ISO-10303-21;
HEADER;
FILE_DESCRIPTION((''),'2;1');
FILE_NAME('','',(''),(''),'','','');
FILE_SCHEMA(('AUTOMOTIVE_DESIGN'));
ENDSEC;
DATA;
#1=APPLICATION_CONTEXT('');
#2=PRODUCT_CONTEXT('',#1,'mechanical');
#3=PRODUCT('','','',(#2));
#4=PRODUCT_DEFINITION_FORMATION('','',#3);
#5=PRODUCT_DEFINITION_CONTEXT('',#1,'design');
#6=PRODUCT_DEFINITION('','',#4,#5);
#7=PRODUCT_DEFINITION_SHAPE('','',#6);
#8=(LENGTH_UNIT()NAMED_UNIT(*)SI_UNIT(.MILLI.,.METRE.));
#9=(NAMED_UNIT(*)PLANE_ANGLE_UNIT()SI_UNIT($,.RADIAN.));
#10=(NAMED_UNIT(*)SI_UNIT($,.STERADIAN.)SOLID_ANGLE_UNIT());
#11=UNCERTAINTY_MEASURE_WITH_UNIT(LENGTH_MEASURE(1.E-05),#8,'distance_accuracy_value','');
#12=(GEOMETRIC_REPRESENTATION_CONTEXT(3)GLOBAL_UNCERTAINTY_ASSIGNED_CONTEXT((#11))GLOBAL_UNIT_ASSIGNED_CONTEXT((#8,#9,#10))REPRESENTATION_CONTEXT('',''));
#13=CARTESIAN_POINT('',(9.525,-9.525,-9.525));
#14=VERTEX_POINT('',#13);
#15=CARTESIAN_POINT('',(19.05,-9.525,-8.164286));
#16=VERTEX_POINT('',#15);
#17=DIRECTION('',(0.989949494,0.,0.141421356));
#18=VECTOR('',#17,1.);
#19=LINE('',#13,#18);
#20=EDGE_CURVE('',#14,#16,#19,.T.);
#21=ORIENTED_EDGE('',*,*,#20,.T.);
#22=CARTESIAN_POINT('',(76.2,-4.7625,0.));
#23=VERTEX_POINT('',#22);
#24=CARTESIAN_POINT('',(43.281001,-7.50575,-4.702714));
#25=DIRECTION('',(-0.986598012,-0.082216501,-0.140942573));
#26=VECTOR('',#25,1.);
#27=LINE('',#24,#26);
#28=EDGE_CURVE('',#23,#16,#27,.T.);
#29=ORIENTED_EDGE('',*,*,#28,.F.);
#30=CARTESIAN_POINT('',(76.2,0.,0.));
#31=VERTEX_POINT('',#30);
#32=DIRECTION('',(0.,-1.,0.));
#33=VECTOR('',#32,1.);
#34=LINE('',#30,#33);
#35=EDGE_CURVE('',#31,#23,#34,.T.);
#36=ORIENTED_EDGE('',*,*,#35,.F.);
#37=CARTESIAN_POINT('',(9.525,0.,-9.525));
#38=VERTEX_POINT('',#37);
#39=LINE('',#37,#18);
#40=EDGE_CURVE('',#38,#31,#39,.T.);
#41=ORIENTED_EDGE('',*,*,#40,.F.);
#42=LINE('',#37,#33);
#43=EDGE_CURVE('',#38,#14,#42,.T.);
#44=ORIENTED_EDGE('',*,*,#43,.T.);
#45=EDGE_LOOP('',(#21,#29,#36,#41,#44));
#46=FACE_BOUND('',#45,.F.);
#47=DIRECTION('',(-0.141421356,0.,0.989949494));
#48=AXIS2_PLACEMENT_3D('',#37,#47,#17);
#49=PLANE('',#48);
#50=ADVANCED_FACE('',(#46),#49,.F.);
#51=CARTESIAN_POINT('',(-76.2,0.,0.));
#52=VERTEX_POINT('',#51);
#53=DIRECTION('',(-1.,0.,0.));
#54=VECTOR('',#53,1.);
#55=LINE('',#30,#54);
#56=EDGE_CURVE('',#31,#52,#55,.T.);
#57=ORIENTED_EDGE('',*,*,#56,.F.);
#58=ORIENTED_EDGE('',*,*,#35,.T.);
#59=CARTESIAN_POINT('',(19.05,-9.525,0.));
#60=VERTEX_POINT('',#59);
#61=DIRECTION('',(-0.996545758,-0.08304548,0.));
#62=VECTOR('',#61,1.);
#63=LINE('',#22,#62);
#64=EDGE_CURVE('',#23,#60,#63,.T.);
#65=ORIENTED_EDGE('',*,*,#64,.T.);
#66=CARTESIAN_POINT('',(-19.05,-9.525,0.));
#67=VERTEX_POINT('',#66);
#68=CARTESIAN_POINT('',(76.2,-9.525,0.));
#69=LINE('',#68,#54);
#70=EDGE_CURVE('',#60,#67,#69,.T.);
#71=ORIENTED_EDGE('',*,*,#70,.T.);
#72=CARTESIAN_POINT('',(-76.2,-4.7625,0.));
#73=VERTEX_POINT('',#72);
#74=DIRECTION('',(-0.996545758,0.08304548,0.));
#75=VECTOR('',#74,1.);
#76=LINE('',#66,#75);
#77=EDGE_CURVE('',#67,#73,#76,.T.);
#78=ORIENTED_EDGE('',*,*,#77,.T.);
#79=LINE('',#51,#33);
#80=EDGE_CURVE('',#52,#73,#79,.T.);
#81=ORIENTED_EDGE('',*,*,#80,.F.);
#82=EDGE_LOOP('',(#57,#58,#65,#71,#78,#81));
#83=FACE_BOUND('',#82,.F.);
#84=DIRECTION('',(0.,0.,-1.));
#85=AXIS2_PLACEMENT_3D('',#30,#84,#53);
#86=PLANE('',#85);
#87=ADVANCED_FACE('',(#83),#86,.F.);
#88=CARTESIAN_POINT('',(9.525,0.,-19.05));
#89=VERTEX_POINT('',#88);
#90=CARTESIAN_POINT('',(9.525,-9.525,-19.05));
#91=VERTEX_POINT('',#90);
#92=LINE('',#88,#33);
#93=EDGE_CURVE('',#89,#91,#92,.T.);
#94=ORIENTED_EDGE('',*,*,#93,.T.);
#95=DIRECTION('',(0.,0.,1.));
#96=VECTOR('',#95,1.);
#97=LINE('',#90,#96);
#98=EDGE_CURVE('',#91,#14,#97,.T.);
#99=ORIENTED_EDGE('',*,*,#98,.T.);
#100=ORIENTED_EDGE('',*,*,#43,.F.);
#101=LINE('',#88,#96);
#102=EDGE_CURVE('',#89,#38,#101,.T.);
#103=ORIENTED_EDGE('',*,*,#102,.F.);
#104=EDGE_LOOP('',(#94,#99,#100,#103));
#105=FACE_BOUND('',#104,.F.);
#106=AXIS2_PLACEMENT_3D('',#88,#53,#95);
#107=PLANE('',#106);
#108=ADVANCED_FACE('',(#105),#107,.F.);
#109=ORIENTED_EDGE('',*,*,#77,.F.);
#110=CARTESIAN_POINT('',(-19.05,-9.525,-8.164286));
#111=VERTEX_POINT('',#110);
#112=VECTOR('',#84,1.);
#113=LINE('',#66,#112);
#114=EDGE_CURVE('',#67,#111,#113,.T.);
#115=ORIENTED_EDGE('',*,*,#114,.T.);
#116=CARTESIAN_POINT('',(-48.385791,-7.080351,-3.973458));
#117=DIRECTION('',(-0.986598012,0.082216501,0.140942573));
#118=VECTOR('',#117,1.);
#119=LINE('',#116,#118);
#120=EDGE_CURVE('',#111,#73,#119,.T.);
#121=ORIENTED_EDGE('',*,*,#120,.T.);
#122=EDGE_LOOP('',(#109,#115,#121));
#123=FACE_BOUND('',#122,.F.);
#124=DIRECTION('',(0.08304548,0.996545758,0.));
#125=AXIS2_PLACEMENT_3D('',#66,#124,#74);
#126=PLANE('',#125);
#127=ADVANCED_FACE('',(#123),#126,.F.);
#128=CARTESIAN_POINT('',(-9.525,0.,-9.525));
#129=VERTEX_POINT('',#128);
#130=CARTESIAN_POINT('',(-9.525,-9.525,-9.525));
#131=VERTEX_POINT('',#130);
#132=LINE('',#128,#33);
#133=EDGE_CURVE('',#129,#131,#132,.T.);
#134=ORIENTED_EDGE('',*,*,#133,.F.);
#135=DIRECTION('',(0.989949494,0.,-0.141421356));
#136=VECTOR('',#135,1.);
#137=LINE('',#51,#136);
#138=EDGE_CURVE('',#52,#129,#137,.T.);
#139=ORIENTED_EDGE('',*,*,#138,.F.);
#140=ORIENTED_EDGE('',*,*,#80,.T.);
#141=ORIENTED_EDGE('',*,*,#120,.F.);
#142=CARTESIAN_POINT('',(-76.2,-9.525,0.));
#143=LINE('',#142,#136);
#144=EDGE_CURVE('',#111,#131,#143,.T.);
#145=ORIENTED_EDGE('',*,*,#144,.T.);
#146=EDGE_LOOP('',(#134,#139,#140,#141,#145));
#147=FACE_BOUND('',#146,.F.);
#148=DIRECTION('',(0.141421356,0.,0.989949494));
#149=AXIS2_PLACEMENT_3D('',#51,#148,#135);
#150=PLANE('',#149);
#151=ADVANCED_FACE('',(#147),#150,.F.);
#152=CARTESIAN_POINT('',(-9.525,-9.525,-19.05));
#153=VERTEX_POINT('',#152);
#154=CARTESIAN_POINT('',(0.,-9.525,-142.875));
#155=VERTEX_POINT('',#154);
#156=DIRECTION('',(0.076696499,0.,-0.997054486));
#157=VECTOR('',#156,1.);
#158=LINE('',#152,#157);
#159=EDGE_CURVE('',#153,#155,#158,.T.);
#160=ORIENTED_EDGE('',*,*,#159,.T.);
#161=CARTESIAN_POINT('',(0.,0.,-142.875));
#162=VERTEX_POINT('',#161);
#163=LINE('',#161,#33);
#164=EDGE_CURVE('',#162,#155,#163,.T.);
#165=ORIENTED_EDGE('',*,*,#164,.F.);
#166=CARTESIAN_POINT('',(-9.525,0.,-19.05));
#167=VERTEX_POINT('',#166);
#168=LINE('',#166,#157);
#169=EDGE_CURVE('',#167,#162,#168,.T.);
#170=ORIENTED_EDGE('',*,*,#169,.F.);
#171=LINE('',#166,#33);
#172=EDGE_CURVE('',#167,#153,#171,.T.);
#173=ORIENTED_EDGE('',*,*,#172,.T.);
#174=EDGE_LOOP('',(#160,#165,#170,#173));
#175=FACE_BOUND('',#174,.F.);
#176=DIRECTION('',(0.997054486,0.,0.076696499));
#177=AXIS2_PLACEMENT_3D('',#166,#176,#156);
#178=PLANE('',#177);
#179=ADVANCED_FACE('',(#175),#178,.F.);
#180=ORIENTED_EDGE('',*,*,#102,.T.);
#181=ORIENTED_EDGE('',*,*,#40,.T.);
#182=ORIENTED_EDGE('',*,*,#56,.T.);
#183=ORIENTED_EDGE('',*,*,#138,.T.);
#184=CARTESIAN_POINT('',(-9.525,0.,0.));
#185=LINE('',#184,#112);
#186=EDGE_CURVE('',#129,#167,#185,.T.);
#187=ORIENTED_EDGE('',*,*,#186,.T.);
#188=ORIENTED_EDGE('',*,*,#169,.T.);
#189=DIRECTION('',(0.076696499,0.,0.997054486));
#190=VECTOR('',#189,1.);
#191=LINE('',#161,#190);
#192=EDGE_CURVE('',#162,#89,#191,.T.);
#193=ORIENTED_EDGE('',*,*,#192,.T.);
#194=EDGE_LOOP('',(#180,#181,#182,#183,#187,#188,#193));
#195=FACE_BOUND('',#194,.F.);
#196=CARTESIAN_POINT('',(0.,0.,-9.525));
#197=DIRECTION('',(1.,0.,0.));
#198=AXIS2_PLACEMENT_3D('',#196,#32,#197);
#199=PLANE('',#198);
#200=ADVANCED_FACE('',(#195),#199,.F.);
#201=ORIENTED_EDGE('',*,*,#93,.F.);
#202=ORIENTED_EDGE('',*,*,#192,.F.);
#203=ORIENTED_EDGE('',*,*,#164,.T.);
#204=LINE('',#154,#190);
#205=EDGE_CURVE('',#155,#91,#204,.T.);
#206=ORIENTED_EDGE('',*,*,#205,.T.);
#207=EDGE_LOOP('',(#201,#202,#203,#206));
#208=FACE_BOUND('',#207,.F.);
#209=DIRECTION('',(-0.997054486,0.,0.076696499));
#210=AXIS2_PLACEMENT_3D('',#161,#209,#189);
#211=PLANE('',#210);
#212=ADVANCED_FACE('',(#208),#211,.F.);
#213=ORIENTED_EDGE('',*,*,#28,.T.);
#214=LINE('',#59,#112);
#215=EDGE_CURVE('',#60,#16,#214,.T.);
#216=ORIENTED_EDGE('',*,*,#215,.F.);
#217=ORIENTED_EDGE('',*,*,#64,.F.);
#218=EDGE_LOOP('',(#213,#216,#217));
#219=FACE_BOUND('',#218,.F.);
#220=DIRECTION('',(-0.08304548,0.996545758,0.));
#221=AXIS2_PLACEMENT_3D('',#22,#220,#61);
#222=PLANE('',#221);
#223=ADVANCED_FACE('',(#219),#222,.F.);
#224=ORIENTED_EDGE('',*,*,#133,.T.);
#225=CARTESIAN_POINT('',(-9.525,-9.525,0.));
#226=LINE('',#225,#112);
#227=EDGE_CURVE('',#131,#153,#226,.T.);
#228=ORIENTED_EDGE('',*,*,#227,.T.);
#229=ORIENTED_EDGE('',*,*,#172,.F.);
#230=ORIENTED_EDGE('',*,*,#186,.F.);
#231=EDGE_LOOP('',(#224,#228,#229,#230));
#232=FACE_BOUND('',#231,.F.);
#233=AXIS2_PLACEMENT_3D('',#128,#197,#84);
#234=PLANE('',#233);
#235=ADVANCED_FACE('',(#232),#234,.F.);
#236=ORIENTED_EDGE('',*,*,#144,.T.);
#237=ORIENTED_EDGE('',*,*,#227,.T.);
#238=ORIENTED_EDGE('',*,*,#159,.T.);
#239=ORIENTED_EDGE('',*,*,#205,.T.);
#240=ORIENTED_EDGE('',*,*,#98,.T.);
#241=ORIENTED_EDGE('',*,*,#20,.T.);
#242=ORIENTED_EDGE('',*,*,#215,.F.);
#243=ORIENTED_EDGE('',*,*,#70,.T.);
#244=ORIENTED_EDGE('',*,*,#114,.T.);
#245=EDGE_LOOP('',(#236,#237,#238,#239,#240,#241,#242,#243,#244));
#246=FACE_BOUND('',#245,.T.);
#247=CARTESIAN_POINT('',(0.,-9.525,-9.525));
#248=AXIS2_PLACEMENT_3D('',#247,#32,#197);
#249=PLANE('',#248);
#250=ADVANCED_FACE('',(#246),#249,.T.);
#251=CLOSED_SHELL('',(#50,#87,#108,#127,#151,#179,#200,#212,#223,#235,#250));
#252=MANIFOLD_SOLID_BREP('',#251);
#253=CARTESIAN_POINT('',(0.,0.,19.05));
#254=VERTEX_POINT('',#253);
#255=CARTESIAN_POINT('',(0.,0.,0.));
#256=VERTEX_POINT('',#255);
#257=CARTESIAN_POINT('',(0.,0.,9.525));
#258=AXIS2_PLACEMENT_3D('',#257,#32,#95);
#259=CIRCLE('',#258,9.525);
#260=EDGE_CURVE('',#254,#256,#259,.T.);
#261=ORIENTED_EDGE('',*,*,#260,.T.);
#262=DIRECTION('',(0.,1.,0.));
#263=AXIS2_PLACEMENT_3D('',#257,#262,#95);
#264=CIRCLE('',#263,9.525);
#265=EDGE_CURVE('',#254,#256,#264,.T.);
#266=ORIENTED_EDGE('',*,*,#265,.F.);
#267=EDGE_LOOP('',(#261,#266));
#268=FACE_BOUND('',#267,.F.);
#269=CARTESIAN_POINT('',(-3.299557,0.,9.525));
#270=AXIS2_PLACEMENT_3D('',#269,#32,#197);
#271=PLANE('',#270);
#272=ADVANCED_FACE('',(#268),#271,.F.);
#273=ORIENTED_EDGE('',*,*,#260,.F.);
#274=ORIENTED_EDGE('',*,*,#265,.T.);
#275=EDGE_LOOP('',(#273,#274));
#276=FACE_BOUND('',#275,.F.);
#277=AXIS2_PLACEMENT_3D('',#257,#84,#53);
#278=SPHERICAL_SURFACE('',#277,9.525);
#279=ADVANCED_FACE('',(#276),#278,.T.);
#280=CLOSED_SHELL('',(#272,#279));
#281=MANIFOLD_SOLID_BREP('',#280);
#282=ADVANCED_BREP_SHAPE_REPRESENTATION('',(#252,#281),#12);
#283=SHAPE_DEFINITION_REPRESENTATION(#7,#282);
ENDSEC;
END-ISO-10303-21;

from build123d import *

# Parameters (mm, degrees)
F1_DEPTH = 9.525
F2_ANGLE = -180
F4_DEPTH = 142.876


with BuildPart() as f1:
    # F0 (on Front) → F1 (new body)
    with BuildSketch(Plane.XZ):
        Polygon((-9.525, -9.525), (-9.525, -19.05), (0, -19.05), (9.525, -19.05), (9.525, -9.525), (9.525, 0), (0, 0), (-9.525, 0), align=None)
        Polygon((-76.2, 0), (-9.525, -9.525), (-9.525, 0), align=None)
        Polygon((9.525, 0), (9.525, -9.525), (76.2, 0), align=None)
        Polygon((0, -19.05), (-9.525, -19.05), (0, -142.875), align=None)
        Polygon((9.525, -19.05), (0, -19.05), (0, -142.875), align=None)
    extrude(amount=F1_DEPTH)

    # F3 (on face) → F4 (cut, through all)
    with BuildSketch(Plane.XY):
        Polygon((-76.2, -4.7625), (-76.2, -9.525), (-19.05, -9.525), align=None)
        Polygon((76.2, -4.7625), (19.05, -9.525), (76.2, -9.525), align=None)
    extrude(amount=-F4_DEPTH, mode=Mode.SUBTRACT)


with BuildPart() as f2:
    # F0 (on Front) → F2 (revolve)
    with BuildSketch(Plane.XZ):
        with BuildLine():
            ThreePointArc((0, 19.05), (-9.525, 9.525), (0, 0))
            Line((0, 0), (0, 19.05))
        make_face()
    revolve(axis=Axis((0, 0, -17.554175), (0, 0, -1)), revolution_arc=F2_ANGLE)


solid = Compound([f1.part, f2.part])
